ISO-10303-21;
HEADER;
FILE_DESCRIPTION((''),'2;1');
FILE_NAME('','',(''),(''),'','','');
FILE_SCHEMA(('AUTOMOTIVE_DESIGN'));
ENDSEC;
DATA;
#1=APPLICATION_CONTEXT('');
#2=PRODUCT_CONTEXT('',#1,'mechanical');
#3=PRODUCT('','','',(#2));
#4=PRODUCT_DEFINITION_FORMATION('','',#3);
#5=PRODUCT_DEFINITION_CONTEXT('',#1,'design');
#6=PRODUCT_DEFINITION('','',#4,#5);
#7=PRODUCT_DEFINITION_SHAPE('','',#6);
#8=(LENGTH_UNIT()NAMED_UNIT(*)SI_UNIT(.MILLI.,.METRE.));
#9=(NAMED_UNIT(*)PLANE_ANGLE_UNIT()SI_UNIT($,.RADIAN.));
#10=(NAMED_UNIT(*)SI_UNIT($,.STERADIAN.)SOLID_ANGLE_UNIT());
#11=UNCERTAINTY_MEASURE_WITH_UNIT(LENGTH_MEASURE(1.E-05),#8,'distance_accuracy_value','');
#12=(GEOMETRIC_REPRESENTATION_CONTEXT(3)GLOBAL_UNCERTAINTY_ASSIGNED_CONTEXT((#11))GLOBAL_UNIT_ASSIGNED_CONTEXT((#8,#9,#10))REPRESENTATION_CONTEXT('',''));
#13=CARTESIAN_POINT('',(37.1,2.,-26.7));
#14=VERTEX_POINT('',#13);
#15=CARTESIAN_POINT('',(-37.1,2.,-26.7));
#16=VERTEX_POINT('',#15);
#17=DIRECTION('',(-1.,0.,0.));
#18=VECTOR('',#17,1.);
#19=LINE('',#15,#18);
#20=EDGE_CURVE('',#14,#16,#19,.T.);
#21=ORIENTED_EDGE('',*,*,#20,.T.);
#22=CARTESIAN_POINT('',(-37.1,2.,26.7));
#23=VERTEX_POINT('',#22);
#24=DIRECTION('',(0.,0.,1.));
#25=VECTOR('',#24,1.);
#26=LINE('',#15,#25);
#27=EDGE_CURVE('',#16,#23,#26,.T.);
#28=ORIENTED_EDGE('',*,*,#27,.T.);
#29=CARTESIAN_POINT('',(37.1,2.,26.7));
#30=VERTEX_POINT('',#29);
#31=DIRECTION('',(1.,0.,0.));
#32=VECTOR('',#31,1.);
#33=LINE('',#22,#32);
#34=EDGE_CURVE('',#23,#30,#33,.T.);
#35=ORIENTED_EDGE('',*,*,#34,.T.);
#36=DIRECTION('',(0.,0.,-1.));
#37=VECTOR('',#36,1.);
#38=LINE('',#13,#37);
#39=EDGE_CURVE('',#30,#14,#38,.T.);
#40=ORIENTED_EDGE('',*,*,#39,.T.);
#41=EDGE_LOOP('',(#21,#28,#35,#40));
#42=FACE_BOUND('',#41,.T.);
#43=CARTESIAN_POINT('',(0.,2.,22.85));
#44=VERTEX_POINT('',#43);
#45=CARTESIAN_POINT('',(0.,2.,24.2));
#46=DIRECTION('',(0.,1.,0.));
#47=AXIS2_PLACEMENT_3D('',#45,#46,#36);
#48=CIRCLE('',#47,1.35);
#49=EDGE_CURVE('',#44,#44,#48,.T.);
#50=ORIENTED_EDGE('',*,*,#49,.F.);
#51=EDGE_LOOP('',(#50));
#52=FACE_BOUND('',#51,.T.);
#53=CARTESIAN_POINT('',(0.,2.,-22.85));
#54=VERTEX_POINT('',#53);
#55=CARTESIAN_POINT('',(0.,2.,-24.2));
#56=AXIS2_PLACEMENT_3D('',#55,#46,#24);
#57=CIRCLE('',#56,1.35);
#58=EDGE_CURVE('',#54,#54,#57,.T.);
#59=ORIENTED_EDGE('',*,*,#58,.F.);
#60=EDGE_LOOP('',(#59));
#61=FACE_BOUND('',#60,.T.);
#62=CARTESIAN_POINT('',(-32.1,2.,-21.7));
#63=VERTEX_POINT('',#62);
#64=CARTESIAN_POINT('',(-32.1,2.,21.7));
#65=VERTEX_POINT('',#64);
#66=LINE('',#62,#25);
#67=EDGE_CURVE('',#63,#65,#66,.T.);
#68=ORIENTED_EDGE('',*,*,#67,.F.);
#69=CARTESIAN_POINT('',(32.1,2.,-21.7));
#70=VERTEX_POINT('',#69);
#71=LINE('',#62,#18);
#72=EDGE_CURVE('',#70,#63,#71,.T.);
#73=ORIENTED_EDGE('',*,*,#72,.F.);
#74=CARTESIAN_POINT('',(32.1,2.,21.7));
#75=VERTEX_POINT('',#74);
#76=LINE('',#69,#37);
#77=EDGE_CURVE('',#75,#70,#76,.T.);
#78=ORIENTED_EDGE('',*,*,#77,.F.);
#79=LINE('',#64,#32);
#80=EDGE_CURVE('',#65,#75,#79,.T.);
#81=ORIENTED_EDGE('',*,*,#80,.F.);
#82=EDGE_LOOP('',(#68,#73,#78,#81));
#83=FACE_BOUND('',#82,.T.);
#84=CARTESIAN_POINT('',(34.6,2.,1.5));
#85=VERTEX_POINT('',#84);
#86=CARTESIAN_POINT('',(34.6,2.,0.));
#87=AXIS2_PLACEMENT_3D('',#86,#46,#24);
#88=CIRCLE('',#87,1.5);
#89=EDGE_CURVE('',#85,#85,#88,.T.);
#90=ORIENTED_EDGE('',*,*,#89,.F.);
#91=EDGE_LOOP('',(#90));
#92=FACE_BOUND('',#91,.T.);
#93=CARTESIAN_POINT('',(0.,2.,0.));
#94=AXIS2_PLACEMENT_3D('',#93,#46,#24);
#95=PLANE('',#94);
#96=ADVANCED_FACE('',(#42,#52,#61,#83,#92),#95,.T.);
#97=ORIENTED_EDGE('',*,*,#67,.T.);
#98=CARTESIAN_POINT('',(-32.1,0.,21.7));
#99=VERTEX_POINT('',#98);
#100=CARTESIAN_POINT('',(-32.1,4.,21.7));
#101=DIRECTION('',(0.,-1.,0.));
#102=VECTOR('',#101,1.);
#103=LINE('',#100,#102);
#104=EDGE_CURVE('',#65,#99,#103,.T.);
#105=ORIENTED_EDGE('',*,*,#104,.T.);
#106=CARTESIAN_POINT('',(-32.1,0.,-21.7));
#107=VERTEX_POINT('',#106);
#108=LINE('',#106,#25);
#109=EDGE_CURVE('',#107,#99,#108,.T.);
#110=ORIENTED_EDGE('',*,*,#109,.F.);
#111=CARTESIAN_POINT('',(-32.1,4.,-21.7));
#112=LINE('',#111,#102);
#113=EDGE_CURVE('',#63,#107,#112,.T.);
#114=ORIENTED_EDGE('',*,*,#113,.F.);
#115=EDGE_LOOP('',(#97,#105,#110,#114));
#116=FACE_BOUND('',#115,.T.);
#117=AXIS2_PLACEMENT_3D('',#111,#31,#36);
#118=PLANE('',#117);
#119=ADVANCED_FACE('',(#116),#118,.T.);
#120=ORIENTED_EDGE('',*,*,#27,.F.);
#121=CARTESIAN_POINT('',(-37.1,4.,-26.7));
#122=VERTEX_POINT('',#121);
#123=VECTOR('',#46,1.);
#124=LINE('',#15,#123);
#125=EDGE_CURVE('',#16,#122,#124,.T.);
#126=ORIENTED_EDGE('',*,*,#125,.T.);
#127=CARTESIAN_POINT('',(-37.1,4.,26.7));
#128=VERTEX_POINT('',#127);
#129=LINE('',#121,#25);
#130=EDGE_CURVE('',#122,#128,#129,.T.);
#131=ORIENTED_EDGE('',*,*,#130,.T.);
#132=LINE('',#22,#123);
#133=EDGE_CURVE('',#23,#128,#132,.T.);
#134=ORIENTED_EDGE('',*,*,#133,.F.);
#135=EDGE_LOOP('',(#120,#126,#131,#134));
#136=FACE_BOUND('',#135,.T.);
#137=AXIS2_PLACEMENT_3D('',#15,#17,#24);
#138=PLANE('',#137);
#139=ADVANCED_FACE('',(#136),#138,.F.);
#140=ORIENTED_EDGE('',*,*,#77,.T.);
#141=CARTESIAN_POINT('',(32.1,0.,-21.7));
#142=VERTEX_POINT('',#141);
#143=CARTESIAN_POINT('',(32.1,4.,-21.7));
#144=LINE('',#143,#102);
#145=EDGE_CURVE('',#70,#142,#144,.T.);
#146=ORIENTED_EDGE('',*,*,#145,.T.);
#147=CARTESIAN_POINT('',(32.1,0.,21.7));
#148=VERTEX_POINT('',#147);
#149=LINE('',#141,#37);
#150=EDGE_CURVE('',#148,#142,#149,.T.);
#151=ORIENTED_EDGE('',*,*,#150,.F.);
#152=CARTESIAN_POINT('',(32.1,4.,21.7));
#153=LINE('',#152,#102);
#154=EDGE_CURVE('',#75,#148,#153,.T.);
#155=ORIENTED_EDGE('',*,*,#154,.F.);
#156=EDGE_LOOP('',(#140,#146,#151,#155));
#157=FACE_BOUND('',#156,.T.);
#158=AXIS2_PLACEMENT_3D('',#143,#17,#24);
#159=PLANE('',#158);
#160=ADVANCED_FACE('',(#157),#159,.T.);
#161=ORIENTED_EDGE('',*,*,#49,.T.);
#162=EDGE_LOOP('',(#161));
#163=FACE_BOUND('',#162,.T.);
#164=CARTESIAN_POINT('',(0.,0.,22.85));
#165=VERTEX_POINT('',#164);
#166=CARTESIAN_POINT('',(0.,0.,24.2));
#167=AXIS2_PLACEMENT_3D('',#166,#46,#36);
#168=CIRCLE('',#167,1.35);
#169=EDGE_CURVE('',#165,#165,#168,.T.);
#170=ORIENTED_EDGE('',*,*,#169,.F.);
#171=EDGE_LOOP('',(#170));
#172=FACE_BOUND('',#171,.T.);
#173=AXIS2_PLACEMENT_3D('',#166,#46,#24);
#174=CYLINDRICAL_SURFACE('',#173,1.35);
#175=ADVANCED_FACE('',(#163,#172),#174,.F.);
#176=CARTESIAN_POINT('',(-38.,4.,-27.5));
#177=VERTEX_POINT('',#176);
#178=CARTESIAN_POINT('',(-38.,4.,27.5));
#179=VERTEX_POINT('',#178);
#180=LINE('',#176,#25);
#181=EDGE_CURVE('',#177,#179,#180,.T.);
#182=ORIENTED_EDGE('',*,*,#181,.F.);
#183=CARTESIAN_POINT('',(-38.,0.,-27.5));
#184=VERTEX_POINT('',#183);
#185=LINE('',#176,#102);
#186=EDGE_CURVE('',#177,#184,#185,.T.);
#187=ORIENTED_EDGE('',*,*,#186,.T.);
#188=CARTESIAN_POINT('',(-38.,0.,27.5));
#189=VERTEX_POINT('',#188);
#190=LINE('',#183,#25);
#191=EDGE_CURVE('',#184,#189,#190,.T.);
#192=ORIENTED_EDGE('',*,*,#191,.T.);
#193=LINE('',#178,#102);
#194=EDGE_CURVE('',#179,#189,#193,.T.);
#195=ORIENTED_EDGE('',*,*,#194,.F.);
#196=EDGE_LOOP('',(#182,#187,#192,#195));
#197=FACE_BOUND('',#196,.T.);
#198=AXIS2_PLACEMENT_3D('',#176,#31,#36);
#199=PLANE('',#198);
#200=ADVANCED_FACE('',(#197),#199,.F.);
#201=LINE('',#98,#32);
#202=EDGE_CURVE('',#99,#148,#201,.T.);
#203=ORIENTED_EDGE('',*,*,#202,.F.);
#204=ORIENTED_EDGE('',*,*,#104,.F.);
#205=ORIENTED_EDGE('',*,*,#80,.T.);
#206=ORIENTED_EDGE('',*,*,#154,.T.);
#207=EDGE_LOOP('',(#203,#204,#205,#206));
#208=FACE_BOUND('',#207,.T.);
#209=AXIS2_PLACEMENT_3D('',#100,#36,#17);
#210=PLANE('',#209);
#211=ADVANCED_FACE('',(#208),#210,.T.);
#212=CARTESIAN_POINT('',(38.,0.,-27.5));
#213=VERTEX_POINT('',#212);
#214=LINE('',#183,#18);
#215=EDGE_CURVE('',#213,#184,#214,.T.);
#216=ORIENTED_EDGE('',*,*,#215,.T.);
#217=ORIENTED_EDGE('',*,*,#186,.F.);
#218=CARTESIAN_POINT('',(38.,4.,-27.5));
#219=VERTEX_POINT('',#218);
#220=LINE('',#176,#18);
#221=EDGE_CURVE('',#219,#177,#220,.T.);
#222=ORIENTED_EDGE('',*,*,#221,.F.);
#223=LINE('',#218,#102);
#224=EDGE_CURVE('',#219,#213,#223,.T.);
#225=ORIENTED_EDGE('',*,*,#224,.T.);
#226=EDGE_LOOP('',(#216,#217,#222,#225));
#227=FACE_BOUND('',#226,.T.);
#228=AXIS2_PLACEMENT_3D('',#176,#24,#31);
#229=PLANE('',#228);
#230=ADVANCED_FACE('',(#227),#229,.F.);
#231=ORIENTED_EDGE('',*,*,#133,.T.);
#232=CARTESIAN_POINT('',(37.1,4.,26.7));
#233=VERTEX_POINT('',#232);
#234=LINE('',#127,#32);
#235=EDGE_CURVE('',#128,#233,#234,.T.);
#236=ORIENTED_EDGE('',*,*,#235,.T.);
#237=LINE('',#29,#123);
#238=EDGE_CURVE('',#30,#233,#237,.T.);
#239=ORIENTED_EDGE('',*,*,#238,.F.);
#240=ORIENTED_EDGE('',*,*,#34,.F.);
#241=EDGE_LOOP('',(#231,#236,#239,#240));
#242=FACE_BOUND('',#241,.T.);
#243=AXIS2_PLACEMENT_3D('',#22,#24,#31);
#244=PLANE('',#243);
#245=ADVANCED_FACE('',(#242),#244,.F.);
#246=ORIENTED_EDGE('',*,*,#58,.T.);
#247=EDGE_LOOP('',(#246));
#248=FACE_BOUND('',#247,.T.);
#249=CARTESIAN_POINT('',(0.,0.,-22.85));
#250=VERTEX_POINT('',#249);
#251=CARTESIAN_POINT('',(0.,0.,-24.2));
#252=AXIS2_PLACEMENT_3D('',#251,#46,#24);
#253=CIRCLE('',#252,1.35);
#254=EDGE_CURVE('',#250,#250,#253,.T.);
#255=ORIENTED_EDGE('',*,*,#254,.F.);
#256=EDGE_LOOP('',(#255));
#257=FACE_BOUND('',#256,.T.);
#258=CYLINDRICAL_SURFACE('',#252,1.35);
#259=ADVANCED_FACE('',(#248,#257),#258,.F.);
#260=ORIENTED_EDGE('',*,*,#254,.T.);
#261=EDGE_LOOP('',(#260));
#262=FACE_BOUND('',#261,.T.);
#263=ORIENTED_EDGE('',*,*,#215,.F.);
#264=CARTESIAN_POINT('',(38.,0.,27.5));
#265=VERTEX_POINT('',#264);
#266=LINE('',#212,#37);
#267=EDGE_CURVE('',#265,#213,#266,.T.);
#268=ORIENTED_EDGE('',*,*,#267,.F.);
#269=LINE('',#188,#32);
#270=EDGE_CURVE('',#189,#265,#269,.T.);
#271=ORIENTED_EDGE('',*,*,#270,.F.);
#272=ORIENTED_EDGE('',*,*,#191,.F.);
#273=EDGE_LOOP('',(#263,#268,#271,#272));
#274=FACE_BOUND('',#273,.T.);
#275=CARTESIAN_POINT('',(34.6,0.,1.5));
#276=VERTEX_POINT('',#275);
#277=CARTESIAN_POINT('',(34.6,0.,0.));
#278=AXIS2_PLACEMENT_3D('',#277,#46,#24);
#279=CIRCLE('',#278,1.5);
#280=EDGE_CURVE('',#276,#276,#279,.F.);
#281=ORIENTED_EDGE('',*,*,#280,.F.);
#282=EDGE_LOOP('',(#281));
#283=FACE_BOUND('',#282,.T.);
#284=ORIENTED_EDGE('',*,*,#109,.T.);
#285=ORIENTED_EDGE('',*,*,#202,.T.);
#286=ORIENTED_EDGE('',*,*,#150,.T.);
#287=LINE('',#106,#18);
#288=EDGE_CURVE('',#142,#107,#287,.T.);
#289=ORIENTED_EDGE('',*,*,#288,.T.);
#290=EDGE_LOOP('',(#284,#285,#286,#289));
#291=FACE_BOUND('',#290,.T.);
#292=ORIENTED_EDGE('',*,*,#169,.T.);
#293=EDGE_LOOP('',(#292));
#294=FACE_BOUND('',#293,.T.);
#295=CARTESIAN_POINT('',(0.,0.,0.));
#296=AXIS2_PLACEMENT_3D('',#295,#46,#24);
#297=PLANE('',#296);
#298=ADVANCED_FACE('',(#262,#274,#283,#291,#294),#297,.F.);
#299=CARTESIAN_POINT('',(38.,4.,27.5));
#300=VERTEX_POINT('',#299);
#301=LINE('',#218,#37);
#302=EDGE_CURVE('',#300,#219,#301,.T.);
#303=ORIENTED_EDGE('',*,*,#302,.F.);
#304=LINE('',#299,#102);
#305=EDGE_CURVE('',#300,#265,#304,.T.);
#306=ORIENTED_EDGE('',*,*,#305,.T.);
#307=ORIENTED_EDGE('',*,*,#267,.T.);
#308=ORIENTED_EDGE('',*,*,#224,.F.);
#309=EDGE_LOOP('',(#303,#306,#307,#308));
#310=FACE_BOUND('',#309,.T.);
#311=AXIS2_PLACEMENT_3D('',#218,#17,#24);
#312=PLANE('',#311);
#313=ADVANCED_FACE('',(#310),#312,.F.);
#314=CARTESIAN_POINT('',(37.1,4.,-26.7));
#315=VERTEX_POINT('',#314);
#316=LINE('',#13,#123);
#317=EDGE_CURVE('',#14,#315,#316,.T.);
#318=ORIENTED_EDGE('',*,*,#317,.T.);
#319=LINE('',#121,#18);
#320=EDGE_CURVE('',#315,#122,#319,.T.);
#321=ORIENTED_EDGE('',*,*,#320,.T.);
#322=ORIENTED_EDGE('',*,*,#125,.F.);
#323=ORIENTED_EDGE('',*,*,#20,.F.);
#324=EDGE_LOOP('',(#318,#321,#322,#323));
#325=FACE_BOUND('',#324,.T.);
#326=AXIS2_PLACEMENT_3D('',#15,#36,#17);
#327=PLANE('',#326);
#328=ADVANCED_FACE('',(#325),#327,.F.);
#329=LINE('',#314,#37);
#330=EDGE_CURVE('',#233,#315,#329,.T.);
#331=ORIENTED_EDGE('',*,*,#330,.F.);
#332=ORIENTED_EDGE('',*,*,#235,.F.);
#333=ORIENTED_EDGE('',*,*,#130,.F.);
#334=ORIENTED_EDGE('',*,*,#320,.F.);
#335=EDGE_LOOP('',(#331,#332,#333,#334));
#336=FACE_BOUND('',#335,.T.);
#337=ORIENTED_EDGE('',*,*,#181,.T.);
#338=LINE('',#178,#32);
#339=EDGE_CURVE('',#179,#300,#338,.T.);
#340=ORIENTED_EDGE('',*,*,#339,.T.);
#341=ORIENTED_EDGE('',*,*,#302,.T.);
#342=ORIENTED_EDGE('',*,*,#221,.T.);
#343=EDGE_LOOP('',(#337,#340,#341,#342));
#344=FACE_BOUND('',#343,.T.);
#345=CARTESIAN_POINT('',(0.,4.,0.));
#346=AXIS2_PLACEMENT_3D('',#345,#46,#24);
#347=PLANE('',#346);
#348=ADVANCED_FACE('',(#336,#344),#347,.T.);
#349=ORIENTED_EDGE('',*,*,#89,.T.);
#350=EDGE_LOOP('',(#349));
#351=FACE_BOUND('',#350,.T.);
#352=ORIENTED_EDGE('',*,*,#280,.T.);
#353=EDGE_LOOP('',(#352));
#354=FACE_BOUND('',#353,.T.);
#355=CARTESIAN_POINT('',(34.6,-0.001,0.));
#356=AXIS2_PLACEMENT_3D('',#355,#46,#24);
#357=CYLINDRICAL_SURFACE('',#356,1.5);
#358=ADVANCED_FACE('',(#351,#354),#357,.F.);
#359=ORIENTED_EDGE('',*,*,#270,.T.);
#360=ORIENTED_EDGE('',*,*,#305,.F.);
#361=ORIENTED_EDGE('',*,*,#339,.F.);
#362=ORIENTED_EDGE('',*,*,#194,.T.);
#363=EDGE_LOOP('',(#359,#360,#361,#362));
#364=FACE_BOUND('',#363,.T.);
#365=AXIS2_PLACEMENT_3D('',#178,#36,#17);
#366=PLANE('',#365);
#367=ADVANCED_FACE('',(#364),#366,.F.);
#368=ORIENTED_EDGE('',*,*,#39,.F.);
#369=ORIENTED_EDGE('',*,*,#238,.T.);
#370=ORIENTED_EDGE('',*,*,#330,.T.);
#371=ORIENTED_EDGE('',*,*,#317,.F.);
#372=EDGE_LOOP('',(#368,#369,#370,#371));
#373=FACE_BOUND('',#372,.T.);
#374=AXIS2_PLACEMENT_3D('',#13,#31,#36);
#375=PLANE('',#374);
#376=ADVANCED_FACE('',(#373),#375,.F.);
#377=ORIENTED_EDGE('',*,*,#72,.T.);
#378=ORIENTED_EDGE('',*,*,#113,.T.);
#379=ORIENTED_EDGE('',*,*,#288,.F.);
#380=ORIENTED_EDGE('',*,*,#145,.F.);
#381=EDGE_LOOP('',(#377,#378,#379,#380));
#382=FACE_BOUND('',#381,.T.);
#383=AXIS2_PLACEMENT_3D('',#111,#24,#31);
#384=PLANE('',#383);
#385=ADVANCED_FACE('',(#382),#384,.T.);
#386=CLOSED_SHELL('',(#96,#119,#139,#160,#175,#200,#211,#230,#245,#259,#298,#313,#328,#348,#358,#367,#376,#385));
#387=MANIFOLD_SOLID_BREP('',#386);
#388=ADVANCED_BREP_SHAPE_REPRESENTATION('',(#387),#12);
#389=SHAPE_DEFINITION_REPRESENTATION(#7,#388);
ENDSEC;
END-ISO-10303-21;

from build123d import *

# Parameters (mm, degrees)
SKETCH1_W           = 76
SKETCH1_H           = 55
SKETCH1_W_2         = 64.2
SKETCH1_H_2         = 43.4
BOSS_EXTRUDE1_DEPTH = 4
SKETCH2_W           = 74.2
SKETCH2_H           = 53.4
CUT_EXTRUDE1_DEPTH  = 2
SKETCH3_R           = 1.35
CUT_EXTRUDE2_DEPTH  = 2
CUT_EXTRUDE3_REACH  = 4
SKETCH4_R           = 1.5


with BuildPart() as part:
    # Sketch1 → Boss-Extrude1 (new body)
    with BuildSketch(Plane(origin=(0, 0, 0), x_dir=(1, 0, 0), z_dir=(0, 1, 0))):
        Rectangle(SKETCH1_W, SKETCH1_H)
        Rectangle(SKETCH1_W_2, SKETCH1_H_2, mode=Mode.SUBTRACT)
    extrude(amount=BOSS_EXTRUDE1_DEPTH)

    # Sketch2 → Cut-Extrude1 (cut)
    with BuildSketch(Plane(origin=(0, 4, 0), x_dir=(1, 0, 0), z_dir=(0, 1, 0))):
        Rectangle(SKETCH2_W, SKETCH2_H)
    extrude(amount=-CUT_EXTRUDE1_DEPTH, mode=Mode.SUBTRACT)

    # Sketch3 → Cut-Extrude2 (cut)
    with BuildSketch(Plane(origin=(0, 2, 0), x_dir=(1, 0, 0), z_dir=(0, 1, 0))):
        with Locations((0, 24.2)):
            Circle(SKETCH3_R)
        with Locations((0, -24.2)):
            Circle(SKETCH3_R)
    extrude(amount=-CUT_EXTRUDE2_DEPTH, mode=Mode.SUBTRACT)

    # Sketch4 → Cut-Extrude3 (cut, up to next)
    with BuildSketch(Plane(origin=(0, 2, 0), x_dir=(1, 0, 0), z_dir=(0, 1, 0)), mode=Mode.PRIVATE) as cut_extrude3_sk1:
        with Locations((34.6, 0)):
            Circle(SKETCH4_R)
    cut_extrude3_tool1 = extrude(cut_extrude3_sk1.sketch, amount=-CUT_EXTRUDE3_REACH, mode=Mode.PRIVATE) & part.part
    add(cut_extrude3_tool1.solids().sort_by_distance((34.6, 2, 0))[0], mode=Mode.SUBTRACT)


solid = part.part
